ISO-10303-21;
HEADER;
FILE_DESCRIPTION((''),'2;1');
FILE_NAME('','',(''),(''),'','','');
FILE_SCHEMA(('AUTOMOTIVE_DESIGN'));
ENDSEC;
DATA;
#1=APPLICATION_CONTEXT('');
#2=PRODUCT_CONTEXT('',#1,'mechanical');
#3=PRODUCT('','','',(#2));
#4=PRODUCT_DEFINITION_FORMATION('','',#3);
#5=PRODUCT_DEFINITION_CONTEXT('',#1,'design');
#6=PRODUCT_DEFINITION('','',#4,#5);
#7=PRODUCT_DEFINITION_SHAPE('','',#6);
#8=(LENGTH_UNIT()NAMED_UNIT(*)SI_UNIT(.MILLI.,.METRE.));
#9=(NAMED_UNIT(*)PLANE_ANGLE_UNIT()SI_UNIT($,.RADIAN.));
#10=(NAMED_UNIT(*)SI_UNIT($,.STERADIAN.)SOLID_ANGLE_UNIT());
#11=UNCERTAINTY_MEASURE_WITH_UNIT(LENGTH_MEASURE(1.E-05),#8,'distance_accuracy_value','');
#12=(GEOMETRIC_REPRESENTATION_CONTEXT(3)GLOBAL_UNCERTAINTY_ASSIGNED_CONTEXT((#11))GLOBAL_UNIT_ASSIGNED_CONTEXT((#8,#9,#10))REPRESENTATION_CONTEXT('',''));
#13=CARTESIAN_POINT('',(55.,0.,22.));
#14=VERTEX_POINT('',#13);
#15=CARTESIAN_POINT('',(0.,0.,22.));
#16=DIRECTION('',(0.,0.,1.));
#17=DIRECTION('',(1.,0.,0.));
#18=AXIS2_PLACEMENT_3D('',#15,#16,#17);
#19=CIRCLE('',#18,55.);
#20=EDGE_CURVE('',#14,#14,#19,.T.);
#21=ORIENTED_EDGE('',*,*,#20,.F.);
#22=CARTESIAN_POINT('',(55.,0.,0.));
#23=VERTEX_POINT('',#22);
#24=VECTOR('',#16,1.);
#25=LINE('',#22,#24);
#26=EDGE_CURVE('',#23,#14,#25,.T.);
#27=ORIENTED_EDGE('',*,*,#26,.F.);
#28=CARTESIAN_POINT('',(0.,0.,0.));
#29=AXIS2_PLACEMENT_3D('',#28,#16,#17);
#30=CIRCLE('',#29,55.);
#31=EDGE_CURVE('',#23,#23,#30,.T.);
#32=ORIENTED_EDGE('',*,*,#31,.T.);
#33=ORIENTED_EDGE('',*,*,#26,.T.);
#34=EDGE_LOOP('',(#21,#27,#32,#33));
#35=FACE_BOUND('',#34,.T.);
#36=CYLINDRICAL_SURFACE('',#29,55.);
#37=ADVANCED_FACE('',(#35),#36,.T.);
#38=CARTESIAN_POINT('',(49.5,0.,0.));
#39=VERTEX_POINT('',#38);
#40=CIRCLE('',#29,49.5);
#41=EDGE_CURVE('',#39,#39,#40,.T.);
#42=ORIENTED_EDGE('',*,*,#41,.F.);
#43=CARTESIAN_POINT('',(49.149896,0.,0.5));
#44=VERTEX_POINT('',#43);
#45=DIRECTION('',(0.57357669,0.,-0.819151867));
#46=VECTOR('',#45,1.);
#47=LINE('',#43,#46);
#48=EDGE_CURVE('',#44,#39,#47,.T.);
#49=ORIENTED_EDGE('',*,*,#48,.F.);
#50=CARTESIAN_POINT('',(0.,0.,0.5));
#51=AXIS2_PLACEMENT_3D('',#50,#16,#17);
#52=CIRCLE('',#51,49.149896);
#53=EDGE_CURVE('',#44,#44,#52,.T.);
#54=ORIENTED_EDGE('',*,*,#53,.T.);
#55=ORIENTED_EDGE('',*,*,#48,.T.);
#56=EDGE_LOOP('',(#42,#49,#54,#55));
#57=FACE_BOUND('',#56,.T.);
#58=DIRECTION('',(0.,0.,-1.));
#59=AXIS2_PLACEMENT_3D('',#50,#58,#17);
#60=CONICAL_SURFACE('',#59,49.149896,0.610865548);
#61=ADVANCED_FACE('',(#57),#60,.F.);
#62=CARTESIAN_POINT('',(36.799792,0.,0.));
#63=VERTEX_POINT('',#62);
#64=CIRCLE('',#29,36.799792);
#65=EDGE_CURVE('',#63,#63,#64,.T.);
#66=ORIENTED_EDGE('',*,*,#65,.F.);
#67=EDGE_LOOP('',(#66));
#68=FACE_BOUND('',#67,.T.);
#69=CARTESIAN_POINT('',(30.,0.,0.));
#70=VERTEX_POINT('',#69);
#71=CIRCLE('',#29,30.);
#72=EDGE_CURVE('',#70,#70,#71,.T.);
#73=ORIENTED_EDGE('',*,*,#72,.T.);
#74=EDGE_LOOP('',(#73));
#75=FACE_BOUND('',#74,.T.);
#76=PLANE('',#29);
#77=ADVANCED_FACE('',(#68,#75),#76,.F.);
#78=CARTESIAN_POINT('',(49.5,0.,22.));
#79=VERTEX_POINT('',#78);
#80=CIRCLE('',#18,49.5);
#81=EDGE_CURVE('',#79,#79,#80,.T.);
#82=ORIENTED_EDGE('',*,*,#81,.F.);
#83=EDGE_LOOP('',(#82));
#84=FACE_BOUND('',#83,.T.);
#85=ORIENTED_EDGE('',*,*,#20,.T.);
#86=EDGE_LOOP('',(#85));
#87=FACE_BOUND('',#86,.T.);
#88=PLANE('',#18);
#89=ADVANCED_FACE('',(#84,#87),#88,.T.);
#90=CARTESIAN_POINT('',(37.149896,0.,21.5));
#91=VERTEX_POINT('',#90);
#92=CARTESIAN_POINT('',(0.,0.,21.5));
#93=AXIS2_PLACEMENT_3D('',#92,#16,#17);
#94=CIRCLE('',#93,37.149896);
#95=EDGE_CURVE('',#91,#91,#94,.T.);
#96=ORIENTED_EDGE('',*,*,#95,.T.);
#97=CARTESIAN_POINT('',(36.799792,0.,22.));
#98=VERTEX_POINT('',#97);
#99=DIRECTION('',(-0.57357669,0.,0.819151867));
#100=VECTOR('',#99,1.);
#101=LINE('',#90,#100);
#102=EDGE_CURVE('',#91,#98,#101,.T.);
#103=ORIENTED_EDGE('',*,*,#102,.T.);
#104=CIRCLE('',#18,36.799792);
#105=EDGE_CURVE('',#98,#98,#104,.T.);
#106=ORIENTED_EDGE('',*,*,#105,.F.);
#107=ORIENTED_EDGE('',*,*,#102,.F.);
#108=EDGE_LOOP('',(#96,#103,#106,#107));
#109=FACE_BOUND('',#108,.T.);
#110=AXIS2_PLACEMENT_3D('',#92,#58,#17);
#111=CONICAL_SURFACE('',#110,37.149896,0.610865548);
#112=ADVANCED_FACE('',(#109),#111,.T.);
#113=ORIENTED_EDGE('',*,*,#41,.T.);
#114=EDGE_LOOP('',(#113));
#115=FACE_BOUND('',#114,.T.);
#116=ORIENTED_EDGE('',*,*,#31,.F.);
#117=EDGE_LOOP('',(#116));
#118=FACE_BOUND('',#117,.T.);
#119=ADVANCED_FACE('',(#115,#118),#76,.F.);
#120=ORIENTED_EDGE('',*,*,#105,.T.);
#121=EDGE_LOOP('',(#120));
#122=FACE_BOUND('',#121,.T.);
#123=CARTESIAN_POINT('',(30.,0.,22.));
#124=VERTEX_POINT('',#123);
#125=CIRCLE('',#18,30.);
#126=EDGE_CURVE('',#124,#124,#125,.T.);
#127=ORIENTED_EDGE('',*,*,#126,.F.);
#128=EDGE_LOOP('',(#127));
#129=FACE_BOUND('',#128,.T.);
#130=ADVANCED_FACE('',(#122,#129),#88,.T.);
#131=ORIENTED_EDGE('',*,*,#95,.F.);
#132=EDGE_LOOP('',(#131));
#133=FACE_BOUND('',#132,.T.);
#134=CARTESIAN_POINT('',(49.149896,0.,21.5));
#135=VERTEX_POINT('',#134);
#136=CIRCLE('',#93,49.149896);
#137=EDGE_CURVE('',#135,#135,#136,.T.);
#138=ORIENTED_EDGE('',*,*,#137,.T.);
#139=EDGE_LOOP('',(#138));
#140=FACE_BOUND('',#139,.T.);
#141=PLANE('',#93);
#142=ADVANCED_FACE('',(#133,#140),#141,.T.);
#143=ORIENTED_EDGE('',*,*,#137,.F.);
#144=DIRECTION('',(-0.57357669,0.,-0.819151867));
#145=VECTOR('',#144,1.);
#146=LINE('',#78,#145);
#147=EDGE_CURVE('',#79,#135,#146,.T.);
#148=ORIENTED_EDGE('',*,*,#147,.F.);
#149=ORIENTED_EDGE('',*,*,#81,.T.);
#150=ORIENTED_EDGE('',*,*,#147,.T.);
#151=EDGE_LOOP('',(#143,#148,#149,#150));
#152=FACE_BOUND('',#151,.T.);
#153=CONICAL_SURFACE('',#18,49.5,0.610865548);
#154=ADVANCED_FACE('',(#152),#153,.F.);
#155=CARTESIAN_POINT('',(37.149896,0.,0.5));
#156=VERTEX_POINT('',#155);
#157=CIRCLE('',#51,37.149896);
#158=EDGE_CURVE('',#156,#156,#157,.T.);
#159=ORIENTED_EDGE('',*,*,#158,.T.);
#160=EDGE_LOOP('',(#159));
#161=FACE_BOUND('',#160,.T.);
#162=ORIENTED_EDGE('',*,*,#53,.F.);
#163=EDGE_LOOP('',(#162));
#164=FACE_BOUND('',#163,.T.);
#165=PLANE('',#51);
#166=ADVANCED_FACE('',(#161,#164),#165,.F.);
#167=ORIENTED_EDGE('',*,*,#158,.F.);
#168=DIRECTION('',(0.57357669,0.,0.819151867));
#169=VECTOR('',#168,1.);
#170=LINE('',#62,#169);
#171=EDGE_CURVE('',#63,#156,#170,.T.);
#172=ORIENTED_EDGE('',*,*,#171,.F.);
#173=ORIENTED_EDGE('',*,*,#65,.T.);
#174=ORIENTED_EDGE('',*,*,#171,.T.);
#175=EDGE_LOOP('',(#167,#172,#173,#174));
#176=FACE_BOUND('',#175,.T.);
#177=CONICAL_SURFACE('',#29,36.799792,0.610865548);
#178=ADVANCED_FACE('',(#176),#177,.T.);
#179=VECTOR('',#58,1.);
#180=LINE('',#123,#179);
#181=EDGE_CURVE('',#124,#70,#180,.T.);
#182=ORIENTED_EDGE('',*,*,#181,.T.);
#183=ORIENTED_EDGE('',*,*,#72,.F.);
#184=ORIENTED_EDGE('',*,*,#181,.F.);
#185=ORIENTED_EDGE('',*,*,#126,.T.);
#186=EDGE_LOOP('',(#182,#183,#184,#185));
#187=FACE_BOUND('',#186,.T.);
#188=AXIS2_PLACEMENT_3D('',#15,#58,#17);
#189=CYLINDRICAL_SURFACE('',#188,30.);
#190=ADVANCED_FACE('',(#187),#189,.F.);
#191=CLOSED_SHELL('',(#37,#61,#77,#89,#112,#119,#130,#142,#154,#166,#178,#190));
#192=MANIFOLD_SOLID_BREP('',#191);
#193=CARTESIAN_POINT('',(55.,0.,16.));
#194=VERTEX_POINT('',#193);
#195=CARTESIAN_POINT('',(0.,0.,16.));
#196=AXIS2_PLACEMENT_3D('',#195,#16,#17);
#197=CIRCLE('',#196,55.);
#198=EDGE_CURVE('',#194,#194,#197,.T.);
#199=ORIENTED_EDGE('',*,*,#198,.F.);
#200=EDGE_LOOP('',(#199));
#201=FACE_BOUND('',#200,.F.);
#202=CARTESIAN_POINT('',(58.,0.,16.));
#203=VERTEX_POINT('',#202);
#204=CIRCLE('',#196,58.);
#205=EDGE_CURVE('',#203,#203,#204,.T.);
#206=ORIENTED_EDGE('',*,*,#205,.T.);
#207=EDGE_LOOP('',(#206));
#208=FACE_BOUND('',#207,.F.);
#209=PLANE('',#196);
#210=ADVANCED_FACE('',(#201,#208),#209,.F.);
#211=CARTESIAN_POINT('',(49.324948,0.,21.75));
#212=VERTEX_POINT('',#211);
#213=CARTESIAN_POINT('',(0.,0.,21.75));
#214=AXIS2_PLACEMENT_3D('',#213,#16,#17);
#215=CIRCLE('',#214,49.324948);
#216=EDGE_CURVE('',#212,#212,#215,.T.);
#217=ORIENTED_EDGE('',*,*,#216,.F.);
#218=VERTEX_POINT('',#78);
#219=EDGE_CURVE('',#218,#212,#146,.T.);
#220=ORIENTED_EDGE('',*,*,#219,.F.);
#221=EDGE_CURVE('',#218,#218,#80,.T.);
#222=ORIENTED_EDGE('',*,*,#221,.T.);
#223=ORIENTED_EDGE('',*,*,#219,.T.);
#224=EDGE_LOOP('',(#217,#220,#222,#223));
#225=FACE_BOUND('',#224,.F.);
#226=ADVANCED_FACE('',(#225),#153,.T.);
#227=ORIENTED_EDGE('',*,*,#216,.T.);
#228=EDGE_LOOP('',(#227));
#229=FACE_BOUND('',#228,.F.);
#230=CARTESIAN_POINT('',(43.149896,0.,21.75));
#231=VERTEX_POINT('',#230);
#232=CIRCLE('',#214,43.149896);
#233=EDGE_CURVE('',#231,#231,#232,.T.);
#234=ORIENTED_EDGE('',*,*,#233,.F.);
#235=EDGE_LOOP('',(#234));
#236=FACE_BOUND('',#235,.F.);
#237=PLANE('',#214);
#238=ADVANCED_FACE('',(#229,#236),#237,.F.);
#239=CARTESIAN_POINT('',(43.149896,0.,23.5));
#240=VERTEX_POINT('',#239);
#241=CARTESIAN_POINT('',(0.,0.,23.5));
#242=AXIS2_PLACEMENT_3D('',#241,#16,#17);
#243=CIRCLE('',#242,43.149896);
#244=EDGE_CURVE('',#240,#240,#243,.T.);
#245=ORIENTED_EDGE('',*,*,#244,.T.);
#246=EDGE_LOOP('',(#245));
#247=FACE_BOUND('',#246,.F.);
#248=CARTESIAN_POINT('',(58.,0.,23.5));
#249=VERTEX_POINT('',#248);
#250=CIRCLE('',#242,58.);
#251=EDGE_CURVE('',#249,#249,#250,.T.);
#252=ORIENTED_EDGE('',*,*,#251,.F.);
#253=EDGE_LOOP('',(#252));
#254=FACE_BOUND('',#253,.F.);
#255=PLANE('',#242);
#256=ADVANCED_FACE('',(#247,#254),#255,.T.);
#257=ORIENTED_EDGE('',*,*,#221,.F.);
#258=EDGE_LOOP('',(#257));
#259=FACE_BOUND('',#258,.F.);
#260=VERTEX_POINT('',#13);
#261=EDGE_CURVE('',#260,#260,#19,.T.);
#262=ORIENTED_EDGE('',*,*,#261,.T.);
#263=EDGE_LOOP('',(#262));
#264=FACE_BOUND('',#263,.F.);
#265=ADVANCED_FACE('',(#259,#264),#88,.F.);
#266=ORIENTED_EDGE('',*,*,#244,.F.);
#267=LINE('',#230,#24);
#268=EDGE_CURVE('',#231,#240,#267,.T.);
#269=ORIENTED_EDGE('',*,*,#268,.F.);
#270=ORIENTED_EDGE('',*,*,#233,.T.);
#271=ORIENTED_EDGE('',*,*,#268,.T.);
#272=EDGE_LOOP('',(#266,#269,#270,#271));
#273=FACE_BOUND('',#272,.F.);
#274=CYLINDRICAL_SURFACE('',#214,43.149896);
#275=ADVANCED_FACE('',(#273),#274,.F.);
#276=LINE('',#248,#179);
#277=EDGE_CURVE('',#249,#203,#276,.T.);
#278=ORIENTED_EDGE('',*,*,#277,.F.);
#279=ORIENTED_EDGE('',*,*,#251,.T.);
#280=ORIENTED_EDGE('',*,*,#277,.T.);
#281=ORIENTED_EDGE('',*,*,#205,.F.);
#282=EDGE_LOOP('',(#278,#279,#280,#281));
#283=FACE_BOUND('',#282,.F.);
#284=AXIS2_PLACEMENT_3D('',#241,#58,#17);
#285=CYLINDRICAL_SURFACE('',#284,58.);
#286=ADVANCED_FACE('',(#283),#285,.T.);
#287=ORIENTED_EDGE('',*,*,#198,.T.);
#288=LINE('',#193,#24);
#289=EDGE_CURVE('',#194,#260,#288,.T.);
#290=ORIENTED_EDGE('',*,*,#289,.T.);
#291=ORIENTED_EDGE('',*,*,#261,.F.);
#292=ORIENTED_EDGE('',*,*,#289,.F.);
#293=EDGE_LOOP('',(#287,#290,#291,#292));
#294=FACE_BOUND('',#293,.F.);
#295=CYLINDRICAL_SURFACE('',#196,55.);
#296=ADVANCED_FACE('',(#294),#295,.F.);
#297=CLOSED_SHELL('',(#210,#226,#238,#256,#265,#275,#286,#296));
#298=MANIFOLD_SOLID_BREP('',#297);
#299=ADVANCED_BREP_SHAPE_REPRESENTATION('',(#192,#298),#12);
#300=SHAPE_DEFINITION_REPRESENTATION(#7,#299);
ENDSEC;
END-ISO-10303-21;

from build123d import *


with BuildPart() as body:
    # Sketch (on XZ_Plane of Origin) → Revolution (revolve)
    with BuildSketch(Plane.XZ):
        Polygon((30, 22), (30, 0), (36.799792, 0), (37.149896, 0.5), (49.149896, 0.5), (49.5, 0), (55, 0), (55, 22), (49.5, 22), (49.149896, 21.5), (37.149896, 21.5), (36.799792, 22), align=None)
    revolve(axis=Axis((0, 0, 0), (0, 0, 1)))


with BuildPart() as body001:
    # Sketch001 (on XZ_Plane001 of Origin002) → Revolution001 (revolve)
    with BuildSketch(Plane.XZ):
        Polygon((55, 16), (55, 22), (49.5, 22), (49.324948, 21.75), (43.149896, 21.75), (43.149896, 23.5), (58, 23.5), (58, 16), align=None)
    revolve(axis=Axis((0, 0, 0), (0, 0, 1)))


solid = Compound([body.part, body001.part])
